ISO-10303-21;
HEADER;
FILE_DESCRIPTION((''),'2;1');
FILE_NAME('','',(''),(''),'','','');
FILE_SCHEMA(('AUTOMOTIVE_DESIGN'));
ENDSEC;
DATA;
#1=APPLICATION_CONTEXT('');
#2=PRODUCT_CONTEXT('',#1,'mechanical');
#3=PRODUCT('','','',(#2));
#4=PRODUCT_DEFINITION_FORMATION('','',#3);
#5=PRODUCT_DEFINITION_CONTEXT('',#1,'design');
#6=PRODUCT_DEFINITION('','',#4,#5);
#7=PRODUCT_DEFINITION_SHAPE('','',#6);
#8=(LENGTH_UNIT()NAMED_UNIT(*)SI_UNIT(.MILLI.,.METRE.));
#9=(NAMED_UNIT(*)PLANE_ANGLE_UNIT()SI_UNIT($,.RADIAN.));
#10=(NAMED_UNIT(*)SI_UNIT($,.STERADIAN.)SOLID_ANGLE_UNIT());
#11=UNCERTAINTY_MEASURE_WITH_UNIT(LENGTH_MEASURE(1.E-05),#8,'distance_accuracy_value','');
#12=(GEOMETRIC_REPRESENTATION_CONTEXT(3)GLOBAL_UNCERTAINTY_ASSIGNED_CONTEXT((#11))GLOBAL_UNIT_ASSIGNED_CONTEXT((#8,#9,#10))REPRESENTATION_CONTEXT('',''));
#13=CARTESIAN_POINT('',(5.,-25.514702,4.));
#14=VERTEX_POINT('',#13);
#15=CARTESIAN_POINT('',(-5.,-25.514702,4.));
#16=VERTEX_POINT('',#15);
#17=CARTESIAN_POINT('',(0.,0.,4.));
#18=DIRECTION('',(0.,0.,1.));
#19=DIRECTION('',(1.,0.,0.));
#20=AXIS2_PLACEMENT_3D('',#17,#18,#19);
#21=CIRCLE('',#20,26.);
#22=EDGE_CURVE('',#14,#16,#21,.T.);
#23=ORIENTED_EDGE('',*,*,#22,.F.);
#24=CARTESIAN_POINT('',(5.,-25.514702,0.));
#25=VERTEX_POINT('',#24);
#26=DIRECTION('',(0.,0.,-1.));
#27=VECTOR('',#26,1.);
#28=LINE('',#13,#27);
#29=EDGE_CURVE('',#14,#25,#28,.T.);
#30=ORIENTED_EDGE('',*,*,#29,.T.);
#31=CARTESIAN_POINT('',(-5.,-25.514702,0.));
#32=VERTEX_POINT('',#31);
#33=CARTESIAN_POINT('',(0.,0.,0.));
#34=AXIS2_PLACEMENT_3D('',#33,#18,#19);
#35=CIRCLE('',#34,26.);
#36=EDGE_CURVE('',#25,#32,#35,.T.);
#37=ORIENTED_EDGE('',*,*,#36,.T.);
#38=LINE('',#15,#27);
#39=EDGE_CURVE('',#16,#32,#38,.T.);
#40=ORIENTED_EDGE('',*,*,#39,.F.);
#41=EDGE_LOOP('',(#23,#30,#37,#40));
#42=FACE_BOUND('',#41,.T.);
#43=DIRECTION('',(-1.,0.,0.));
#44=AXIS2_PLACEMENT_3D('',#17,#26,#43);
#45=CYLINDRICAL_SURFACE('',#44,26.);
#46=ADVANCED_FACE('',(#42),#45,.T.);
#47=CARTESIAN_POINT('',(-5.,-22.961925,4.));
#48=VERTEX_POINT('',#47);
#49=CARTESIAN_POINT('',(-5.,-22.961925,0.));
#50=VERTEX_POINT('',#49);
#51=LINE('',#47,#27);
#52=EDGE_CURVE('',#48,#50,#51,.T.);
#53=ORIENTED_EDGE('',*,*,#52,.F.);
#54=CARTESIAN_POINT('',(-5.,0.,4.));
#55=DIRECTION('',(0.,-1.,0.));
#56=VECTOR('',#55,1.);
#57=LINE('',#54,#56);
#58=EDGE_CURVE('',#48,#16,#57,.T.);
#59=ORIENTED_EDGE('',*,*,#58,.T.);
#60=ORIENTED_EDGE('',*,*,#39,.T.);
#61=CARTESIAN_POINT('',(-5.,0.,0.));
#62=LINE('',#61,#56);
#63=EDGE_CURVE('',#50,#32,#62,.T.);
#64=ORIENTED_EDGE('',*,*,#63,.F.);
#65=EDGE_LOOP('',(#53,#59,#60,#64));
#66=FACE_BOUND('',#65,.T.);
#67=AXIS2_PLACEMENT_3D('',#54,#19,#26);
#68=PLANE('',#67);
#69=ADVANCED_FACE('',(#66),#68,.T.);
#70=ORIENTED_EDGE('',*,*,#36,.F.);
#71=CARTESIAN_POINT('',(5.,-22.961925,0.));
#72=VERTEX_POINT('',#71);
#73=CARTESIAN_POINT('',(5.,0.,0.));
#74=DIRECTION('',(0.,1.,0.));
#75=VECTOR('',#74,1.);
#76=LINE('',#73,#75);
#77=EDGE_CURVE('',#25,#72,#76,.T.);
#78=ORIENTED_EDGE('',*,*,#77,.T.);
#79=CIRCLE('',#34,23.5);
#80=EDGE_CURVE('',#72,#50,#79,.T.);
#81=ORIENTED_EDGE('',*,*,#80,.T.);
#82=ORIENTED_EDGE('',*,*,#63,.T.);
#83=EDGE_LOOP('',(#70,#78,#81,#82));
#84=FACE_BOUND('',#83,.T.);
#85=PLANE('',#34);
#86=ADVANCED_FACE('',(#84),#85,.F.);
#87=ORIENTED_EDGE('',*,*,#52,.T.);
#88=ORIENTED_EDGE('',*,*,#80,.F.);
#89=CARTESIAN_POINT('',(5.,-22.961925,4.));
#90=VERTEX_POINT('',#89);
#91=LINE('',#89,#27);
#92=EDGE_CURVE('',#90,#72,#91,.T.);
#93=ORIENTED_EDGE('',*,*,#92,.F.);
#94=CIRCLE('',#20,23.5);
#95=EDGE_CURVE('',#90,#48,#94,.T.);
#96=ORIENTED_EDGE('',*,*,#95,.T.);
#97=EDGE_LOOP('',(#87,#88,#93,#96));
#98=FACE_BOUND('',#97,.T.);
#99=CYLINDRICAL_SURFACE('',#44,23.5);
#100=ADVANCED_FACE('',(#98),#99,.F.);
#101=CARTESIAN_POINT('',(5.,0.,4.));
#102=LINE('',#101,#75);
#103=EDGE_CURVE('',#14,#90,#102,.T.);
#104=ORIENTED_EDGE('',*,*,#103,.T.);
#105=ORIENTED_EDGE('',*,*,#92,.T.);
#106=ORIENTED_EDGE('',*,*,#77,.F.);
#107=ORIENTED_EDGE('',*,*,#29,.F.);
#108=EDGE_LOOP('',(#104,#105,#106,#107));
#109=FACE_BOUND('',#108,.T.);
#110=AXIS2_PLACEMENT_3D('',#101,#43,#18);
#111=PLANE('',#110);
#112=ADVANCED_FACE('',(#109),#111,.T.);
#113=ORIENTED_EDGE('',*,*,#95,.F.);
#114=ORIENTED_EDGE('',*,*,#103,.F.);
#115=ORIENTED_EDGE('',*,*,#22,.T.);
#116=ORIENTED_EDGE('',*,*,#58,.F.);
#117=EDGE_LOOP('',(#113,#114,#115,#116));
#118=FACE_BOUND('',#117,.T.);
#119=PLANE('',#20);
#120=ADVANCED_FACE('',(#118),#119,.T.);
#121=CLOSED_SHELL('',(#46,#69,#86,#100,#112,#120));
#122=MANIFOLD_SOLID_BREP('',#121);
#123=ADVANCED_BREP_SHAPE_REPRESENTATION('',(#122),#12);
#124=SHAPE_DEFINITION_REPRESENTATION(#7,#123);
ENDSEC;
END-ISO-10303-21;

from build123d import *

# Parameters (mm, degrees)
EXTRUDE_1_DEPTH = 4


with BuildPart() as part:
    # 草图1 → 凸台-拉伸1 (new body)
    with BuildSketch(Plane.XY):
        with BuildLine():
            Line((-5, -25.514701644), (-5, -22.961925006))
            ThreePointArc((-5, -22.961925006), (-14.743642698, 18.299590159), (23.5, 0))
            ThreePointArc((23.5, 0), (18.299590159, -14.743642698), (5, -22.961925006))
            Line((5, -22.961925006), (5, -25.514701644))
            ThreePointArc((5, -25.514701644), (20.0748599, -16.522711642), (26, 0))
            ThreePointArc((26, 0), (-16.522711642, 20.0748599), (-5, -25.514701644))
        make_face()
    extrude(amount=EXTRUDE_1_DEPTH)


solid = part.part
